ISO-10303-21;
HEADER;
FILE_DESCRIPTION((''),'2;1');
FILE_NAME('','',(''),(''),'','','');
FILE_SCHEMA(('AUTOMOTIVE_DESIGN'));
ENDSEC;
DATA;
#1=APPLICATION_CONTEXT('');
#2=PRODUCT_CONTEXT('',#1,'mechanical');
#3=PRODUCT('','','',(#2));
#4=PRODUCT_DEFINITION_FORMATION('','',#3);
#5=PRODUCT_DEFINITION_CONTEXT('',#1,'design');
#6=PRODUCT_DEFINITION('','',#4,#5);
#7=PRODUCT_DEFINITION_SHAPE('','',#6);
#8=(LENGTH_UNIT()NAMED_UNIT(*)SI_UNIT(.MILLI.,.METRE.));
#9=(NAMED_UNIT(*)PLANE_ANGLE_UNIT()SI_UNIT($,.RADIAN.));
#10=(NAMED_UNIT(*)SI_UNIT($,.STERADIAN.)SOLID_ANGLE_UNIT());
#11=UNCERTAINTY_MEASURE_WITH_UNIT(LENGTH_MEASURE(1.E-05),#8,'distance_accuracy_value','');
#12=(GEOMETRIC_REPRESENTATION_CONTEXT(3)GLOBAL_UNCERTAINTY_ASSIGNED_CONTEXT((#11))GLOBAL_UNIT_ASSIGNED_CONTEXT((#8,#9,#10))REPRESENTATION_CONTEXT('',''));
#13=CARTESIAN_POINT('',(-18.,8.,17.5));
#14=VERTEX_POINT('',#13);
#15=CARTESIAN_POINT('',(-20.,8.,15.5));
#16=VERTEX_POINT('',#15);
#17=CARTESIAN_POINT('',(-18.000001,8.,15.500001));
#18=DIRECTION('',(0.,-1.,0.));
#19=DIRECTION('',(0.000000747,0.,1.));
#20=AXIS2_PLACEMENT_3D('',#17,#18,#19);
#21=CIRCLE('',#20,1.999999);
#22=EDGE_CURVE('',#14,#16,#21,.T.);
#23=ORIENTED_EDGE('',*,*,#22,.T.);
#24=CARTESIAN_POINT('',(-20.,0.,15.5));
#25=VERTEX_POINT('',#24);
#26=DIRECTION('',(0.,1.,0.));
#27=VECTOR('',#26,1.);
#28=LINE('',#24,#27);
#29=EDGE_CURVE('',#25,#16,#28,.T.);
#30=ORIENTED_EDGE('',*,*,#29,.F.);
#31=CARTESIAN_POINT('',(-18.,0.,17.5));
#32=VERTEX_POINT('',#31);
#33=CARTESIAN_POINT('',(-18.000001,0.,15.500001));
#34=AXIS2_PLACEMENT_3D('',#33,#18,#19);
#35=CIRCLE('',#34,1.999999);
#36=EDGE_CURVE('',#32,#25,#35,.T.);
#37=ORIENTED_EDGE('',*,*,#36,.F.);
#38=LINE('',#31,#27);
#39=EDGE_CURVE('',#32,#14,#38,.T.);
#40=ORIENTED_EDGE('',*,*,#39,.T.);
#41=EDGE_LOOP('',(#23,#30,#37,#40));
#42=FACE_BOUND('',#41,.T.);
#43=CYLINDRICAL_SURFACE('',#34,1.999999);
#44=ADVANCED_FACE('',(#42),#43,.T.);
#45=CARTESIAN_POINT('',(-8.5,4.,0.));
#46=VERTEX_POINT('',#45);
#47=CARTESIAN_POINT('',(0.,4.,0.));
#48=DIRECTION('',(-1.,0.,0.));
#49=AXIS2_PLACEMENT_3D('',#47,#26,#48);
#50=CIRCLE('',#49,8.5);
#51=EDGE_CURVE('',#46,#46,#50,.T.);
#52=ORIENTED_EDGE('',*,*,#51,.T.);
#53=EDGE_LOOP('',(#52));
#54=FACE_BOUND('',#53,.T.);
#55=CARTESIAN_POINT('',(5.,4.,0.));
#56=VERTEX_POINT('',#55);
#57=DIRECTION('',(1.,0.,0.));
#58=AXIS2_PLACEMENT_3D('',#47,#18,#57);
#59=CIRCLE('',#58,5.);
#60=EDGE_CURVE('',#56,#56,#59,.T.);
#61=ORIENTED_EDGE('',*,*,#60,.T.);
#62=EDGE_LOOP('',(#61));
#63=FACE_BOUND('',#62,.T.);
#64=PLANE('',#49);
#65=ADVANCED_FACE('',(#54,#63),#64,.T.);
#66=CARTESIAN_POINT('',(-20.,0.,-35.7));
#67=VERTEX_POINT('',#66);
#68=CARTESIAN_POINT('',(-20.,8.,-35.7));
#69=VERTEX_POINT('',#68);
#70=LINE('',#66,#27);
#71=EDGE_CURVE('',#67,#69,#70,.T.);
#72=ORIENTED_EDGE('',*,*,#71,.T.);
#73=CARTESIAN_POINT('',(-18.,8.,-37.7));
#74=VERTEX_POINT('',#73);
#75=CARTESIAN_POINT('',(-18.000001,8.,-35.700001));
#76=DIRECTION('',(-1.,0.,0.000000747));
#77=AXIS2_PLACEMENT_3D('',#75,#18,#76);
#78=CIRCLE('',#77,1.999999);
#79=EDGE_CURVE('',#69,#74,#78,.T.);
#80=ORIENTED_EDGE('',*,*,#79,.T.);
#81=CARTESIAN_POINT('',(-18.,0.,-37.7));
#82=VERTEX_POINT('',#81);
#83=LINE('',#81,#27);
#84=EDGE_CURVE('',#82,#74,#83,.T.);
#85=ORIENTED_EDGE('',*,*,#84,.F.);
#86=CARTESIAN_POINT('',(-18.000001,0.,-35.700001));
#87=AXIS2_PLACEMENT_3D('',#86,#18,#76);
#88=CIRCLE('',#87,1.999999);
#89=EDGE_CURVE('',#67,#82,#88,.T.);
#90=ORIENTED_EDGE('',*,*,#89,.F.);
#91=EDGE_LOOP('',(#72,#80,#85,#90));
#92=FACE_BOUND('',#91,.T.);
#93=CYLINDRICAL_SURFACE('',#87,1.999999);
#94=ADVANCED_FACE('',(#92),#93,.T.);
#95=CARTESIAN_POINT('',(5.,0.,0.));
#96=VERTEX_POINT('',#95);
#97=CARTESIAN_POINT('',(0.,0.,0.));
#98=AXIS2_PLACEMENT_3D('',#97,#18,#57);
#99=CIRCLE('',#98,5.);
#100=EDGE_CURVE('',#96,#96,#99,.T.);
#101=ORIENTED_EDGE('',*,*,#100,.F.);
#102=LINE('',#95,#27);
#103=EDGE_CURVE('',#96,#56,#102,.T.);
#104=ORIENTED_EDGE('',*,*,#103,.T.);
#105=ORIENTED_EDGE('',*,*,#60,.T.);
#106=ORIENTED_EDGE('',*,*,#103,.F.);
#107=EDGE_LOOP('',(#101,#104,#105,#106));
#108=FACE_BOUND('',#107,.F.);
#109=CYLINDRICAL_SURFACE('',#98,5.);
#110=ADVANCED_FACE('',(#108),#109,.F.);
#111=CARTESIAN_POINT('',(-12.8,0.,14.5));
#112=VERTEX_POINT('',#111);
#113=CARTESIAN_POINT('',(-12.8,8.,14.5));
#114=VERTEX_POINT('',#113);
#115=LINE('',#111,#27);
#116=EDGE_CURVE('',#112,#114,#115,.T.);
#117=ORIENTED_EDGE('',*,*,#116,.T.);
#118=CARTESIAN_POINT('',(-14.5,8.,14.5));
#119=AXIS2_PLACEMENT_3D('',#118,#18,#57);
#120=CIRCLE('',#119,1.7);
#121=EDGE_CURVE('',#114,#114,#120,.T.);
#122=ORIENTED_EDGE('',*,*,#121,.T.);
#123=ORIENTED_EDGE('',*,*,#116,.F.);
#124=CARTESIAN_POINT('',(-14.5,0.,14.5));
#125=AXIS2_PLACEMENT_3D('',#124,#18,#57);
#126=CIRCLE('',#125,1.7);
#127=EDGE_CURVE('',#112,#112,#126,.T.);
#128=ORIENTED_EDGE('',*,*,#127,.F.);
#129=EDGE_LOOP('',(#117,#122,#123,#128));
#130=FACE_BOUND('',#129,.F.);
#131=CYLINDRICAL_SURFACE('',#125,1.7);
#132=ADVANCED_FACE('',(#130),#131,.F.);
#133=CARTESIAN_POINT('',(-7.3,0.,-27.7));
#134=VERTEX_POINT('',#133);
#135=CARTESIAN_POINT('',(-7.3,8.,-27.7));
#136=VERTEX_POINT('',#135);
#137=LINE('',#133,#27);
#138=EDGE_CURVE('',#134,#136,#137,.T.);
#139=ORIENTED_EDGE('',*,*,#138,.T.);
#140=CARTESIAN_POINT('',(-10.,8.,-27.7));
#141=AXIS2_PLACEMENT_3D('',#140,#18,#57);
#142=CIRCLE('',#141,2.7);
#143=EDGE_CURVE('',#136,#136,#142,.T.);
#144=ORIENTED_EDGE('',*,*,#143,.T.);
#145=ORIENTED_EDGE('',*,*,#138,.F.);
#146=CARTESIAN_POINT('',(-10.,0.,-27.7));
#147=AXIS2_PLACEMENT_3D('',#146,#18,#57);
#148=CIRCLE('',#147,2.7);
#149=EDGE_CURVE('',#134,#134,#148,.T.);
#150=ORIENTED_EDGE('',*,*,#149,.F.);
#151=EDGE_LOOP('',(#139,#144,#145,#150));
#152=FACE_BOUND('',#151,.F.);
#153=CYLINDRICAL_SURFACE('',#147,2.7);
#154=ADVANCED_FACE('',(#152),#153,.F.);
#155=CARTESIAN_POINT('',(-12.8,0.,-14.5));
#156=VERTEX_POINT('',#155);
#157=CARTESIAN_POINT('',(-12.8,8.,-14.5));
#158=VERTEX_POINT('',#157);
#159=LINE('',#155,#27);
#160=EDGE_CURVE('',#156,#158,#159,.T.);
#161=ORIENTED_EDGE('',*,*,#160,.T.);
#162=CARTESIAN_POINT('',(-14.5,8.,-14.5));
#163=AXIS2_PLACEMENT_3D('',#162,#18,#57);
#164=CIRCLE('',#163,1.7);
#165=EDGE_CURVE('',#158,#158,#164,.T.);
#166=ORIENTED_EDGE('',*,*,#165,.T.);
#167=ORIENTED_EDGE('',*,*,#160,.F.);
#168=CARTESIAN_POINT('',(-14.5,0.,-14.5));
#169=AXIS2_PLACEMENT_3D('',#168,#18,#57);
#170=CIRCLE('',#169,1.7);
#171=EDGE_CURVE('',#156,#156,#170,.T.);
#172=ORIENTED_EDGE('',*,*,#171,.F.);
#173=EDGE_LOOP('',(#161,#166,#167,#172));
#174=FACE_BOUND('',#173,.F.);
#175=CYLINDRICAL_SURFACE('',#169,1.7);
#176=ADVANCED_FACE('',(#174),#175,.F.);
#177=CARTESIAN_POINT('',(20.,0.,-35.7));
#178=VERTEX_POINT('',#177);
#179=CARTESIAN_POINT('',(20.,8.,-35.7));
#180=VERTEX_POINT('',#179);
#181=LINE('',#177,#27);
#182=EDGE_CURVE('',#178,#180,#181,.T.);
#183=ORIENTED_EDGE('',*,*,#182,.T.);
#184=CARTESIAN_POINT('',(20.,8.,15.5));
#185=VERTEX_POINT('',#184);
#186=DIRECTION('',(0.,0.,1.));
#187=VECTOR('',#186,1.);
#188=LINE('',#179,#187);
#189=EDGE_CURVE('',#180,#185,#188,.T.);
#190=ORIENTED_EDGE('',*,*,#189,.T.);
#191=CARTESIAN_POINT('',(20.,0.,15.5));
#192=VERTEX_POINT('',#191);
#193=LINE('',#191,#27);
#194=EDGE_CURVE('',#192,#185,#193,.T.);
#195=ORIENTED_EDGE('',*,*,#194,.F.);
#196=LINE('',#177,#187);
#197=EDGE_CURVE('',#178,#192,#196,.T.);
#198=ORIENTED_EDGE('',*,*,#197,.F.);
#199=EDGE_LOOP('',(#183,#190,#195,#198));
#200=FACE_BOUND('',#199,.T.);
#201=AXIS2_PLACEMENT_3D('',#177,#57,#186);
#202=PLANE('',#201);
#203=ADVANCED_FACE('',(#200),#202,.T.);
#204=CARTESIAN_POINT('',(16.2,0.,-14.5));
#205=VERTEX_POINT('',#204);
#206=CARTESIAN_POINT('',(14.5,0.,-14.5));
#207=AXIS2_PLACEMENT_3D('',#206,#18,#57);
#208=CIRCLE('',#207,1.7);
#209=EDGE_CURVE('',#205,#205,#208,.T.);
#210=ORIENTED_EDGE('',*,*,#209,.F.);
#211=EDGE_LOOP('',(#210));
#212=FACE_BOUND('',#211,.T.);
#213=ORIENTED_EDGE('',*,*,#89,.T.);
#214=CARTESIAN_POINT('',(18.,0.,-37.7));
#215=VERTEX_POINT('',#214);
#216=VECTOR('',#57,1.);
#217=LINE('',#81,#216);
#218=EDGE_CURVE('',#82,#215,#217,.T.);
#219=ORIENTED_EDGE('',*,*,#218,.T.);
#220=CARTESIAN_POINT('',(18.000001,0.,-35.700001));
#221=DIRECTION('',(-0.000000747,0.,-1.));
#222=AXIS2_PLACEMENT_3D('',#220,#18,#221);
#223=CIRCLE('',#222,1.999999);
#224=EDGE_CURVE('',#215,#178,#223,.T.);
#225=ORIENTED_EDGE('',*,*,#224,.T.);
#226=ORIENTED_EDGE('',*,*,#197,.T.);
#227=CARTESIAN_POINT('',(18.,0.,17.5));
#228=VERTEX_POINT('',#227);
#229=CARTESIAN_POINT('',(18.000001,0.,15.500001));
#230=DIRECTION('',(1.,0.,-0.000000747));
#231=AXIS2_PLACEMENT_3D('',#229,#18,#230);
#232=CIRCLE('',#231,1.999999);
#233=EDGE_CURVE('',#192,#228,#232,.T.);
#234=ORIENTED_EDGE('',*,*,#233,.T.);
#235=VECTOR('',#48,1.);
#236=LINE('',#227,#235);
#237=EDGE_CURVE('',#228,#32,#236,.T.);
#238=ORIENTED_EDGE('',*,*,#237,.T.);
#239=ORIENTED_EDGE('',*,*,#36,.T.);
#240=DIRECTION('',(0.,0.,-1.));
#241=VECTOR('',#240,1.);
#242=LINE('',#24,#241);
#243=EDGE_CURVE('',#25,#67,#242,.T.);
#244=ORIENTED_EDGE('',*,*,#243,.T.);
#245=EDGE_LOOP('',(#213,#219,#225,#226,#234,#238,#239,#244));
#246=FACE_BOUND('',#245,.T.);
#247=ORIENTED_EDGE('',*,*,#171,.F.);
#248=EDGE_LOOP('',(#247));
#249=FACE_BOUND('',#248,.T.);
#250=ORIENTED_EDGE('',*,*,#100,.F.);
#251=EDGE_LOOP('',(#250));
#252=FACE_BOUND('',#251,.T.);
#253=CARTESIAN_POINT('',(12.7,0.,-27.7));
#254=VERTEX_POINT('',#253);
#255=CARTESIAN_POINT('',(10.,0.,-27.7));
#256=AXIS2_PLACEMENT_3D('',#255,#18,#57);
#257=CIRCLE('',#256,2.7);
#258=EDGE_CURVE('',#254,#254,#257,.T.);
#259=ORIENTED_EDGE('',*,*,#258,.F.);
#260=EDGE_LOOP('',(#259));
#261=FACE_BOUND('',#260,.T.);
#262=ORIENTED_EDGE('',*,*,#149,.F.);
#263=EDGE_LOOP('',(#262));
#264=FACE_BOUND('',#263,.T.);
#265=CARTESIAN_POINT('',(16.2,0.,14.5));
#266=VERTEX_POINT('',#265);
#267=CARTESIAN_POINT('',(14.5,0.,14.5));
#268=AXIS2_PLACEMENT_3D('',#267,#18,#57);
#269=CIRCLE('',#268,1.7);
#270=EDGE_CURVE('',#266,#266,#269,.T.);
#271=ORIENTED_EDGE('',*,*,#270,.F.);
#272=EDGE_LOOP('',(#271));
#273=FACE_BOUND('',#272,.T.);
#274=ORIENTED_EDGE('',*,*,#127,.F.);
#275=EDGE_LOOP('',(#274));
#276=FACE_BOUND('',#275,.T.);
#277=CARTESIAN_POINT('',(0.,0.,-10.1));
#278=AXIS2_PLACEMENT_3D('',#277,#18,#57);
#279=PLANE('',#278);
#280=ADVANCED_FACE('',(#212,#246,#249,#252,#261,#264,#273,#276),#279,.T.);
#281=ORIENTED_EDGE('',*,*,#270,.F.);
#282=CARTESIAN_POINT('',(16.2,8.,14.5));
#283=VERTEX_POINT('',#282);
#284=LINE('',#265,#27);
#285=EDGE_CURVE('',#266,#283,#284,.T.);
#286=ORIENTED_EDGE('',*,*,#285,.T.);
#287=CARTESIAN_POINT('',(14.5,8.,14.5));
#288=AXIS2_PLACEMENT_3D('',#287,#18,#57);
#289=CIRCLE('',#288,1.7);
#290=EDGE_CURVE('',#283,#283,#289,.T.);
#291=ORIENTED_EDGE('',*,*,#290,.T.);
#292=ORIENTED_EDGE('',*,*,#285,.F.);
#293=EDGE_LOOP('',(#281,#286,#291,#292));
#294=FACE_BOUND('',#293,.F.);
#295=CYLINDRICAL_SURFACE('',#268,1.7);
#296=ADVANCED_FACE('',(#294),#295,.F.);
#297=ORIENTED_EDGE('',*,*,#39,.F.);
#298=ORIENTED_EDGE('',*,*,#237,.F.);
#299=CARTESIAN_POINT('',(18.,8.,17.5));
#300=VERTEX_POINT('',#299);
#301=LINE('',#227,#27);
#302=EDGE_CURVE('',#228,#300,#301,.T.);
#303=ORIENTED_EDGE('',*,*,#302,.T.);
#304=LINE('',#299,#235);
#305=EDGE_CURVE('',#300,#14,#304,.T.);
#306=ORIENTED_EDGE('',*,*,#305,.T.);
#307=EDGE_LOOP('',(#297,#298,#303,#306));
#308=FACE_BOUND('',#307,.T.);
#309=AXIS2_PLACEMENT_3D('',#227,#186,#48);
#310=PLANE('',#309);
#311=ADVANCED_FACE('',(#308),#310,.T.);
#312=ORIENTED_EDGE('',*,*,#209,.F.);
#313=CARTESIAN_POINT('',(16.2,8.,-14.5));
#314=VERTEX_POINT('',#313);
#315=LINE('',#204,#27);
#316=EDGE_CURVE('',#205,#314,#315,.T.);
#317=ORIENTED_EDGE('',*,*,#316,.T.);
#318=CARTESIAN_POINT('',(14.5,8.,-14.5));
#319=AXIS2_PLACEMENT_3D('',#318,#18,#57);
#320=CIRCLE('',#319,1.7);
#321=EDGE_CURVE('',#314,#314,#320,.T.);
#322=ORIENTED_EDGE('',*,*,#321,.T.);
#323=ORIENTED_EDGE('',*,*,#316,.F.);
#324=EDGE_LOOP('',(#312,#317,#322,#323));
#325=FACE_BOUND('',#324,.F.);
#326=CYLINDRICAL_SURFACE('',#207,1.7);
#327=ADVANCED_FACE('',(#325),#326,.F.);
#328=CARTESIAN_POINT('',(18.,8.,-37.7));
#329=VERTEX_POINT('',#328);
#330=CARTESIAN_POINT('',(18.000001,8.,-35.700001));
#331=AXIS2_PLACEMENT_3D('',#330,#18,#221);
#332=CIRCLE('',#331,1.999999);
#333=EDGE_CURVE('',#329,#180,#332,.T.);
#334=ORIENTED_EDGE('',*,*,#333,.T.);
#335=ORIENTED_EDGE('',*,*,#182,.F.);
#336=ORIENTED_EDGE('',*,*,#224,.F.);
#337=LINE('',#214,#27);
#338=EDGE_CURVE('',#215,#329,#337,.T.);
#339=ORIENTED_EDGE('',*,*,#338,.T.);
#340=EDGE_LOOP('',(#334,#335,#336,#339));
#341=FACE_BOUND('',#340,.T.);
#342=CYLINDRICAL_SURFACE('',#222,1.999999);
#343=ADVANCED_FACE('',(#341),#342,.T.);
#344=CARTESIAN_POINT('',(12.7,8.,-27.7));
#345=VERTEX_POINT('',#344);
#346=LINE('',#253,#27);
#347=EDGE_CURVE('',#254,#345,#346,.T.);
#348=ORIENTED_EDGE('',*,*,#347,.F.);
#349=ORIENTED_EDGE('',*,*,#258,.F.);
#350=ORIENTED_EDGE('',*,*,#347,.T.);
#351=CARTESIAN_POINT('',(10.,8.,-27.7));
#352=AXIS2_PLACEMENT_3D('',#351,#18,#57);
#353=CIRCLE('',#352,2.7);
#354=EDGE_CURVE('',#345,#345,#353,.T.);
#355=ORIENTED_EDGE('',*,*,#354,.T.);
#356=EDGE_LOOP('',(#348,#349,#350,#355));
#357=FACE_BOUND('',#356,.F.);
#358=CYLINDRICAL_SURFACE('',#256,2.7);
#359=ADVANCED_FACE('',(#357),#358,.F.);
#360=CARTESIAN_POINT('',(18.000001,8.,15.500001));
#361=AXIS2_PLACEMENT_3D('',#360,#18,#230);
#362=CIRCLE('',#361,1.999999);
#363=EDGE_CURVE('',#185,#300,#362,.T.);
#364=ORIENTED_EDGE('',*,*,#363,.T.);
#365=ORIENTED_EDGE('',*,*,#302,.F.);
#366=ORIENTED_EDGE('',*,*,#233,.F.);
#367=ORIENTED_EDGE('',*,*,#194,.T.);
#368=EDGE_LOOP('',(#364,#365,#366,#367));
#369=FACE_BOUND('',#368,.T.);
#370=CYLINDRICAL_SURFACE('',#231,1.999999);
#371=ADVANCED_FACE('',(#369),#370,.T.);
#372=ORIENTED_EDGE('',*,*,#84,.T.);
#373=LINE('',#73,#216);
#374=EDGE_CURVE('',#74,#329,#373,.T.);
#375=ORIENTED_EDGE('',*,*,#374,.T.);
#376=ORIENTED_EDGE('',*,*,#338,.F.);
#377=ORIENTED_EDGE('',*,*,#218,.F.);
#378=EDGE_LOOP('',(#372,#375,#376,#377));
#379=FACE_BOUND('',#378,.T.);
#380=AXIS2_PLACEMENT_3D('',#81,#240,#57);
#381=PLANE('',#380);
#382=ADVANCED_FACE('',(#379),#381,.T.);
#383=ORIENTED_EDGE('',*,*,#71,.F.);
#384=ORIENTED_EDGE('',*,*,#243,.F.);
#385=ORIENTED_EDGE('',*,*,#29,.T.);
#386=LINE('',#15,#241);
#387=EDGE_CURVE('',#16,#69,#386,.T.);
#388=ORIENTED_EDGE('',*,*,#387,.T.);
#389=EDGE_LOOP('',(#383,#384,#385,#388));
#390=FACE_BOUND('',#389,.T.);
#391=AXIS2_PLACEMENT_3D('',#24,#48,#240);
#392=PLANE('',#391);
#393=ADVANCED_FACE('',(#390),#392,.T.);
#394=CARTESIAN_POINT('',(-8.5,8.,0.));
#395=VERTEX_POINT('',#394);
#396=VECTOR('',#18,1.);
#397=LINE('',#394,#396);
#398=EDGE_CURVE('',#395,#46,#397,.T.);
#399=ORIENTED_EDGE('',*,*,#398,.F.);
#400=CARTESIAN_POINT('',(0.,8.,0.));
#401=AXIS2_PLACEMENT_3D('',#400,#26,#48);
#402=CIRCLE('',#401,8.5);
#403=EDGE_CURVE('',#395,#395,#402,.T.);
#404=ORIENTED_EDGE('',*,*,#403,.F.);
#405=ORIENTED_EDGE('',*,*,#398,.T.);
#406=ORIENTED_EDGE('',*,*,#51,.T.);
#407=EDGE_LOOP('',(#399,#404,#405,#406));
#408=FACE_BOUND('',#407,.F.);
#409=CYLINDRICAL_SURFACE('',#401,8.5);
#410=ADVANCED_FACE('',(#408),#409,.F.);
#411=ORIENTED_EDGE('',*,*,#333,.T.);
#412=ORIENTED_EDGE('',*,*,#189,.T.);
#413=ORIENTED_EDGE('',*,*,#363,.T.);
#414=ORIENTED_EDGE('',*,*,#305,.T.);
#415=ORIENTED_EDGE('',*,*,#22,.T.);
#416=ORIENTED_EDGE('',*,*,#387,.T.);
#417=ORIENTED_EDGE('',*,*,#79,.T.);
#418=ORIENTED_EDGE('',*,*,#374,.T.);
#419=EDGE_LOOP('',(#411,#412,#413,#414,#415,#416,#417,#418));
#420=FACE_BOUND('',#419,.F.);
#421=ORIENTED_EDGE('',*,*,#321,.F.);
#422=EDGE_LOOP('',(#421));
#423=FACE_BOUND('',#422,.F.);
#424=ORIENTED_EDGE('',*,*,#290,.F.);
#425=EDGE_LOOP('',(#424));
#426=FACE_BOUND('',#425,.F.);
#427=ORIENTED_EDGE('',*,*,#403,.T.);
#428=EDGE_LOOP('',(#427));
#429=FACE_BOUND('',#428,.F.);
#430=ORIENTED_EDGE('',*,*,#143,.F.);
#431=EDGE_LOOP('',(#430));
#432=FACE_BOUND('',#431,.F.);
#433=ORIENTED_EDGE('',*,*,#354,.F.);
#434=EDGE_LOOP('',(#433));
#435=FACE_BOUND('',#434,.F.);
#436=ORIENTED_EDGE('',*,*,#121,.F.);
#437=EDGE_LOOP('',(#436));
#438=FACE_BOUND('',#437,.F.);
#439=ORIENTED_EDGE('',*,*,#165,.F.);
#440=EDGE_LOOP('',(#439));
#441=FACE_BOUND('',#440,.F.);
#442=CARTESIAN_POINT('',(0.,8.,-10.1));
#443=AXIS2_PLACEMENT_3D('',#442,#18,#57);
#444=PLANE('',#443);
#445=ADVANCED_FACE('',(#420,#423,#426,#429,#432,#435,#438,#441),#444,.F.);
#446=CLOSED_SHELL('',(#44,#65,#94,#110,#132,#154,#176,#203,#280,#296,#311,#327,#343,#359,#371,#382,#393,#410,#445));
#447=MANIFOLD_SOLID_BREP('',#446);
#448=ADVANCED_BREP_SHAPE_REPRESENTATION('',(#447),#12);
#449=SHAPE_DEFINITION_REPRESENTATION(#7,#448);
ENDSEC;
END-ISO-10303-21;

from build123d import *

# Parameters (mm, degrees)
F0_R     = 2.7
F0_R_2   = 1.7
F0_R_3   = 5
F1_DEPTH = 8
F2_R     = 8.5
F3_DEPTH = 4


with BuildPart() as f1:
    # F0 (on Front) → F1 (new body)
    with BuildSketch(Plane.XZ):
        with BuildLine():
            ThreePointArc((-18, 17.5), (-19.414214, 16.914214), (-20, 15.5))
            Line((-20, 15.5), (-20, -35.7))
            ThreePointArc((-20, -35.7), (-19.414214, -37.114214), (-18, -37.7))
            Line((-18, -37.7), (18, -37.7))
            ThreePointArc((18, -37.7), (19.414214, -37.114214), (20, -35.7))
            Line((20, -35.7), (20, 15.5))
            ThreePointArc((20, 15.5), (19.414214, 16.914214), (18, 17.5))
            Line((18, 17.5), (-18, 17.5))
        make_face()
        with Locations((-10, -27.7)):
            Circle(F0_R, mode=Mode.SUBTRACT)
        with Locations((-14.5, -14.5)):
            Circle(F0_R_2, mode=Mode.SUBTRACT)
        with Locations((10, -27.7)):
            Circle(F0_R, mode=Mode.SUBTRACT)
        with Locations((14.5, -14.5)):
            Circle(F0_R_2, mode=Mode.SUBTRACT)
        with Locations((-14.5, 14.5)):
            Circle(F0_R_2, mode=Mode.SUBTRACT)
        Circle(F0_R_3, mode=Mode.SUBTRACT)
        with Locations((14.5, 14.5)):
            Circle(F0_R_2, mode=Mode.SUBTRACT)
    extrude(amount=-F1_DEPTH)

    # F2 (on face) → F3 (cut)
    with BuildSketch(Plane(origin=(0, 8, 0), x_dir=(-1, 0, 0), z_dir=(0, 1, 0))):
        Circle(F2_R)
    extrude(amount=-F3_DEPTH, mode=Mode.SUBTRACT)


solid = f1.part
